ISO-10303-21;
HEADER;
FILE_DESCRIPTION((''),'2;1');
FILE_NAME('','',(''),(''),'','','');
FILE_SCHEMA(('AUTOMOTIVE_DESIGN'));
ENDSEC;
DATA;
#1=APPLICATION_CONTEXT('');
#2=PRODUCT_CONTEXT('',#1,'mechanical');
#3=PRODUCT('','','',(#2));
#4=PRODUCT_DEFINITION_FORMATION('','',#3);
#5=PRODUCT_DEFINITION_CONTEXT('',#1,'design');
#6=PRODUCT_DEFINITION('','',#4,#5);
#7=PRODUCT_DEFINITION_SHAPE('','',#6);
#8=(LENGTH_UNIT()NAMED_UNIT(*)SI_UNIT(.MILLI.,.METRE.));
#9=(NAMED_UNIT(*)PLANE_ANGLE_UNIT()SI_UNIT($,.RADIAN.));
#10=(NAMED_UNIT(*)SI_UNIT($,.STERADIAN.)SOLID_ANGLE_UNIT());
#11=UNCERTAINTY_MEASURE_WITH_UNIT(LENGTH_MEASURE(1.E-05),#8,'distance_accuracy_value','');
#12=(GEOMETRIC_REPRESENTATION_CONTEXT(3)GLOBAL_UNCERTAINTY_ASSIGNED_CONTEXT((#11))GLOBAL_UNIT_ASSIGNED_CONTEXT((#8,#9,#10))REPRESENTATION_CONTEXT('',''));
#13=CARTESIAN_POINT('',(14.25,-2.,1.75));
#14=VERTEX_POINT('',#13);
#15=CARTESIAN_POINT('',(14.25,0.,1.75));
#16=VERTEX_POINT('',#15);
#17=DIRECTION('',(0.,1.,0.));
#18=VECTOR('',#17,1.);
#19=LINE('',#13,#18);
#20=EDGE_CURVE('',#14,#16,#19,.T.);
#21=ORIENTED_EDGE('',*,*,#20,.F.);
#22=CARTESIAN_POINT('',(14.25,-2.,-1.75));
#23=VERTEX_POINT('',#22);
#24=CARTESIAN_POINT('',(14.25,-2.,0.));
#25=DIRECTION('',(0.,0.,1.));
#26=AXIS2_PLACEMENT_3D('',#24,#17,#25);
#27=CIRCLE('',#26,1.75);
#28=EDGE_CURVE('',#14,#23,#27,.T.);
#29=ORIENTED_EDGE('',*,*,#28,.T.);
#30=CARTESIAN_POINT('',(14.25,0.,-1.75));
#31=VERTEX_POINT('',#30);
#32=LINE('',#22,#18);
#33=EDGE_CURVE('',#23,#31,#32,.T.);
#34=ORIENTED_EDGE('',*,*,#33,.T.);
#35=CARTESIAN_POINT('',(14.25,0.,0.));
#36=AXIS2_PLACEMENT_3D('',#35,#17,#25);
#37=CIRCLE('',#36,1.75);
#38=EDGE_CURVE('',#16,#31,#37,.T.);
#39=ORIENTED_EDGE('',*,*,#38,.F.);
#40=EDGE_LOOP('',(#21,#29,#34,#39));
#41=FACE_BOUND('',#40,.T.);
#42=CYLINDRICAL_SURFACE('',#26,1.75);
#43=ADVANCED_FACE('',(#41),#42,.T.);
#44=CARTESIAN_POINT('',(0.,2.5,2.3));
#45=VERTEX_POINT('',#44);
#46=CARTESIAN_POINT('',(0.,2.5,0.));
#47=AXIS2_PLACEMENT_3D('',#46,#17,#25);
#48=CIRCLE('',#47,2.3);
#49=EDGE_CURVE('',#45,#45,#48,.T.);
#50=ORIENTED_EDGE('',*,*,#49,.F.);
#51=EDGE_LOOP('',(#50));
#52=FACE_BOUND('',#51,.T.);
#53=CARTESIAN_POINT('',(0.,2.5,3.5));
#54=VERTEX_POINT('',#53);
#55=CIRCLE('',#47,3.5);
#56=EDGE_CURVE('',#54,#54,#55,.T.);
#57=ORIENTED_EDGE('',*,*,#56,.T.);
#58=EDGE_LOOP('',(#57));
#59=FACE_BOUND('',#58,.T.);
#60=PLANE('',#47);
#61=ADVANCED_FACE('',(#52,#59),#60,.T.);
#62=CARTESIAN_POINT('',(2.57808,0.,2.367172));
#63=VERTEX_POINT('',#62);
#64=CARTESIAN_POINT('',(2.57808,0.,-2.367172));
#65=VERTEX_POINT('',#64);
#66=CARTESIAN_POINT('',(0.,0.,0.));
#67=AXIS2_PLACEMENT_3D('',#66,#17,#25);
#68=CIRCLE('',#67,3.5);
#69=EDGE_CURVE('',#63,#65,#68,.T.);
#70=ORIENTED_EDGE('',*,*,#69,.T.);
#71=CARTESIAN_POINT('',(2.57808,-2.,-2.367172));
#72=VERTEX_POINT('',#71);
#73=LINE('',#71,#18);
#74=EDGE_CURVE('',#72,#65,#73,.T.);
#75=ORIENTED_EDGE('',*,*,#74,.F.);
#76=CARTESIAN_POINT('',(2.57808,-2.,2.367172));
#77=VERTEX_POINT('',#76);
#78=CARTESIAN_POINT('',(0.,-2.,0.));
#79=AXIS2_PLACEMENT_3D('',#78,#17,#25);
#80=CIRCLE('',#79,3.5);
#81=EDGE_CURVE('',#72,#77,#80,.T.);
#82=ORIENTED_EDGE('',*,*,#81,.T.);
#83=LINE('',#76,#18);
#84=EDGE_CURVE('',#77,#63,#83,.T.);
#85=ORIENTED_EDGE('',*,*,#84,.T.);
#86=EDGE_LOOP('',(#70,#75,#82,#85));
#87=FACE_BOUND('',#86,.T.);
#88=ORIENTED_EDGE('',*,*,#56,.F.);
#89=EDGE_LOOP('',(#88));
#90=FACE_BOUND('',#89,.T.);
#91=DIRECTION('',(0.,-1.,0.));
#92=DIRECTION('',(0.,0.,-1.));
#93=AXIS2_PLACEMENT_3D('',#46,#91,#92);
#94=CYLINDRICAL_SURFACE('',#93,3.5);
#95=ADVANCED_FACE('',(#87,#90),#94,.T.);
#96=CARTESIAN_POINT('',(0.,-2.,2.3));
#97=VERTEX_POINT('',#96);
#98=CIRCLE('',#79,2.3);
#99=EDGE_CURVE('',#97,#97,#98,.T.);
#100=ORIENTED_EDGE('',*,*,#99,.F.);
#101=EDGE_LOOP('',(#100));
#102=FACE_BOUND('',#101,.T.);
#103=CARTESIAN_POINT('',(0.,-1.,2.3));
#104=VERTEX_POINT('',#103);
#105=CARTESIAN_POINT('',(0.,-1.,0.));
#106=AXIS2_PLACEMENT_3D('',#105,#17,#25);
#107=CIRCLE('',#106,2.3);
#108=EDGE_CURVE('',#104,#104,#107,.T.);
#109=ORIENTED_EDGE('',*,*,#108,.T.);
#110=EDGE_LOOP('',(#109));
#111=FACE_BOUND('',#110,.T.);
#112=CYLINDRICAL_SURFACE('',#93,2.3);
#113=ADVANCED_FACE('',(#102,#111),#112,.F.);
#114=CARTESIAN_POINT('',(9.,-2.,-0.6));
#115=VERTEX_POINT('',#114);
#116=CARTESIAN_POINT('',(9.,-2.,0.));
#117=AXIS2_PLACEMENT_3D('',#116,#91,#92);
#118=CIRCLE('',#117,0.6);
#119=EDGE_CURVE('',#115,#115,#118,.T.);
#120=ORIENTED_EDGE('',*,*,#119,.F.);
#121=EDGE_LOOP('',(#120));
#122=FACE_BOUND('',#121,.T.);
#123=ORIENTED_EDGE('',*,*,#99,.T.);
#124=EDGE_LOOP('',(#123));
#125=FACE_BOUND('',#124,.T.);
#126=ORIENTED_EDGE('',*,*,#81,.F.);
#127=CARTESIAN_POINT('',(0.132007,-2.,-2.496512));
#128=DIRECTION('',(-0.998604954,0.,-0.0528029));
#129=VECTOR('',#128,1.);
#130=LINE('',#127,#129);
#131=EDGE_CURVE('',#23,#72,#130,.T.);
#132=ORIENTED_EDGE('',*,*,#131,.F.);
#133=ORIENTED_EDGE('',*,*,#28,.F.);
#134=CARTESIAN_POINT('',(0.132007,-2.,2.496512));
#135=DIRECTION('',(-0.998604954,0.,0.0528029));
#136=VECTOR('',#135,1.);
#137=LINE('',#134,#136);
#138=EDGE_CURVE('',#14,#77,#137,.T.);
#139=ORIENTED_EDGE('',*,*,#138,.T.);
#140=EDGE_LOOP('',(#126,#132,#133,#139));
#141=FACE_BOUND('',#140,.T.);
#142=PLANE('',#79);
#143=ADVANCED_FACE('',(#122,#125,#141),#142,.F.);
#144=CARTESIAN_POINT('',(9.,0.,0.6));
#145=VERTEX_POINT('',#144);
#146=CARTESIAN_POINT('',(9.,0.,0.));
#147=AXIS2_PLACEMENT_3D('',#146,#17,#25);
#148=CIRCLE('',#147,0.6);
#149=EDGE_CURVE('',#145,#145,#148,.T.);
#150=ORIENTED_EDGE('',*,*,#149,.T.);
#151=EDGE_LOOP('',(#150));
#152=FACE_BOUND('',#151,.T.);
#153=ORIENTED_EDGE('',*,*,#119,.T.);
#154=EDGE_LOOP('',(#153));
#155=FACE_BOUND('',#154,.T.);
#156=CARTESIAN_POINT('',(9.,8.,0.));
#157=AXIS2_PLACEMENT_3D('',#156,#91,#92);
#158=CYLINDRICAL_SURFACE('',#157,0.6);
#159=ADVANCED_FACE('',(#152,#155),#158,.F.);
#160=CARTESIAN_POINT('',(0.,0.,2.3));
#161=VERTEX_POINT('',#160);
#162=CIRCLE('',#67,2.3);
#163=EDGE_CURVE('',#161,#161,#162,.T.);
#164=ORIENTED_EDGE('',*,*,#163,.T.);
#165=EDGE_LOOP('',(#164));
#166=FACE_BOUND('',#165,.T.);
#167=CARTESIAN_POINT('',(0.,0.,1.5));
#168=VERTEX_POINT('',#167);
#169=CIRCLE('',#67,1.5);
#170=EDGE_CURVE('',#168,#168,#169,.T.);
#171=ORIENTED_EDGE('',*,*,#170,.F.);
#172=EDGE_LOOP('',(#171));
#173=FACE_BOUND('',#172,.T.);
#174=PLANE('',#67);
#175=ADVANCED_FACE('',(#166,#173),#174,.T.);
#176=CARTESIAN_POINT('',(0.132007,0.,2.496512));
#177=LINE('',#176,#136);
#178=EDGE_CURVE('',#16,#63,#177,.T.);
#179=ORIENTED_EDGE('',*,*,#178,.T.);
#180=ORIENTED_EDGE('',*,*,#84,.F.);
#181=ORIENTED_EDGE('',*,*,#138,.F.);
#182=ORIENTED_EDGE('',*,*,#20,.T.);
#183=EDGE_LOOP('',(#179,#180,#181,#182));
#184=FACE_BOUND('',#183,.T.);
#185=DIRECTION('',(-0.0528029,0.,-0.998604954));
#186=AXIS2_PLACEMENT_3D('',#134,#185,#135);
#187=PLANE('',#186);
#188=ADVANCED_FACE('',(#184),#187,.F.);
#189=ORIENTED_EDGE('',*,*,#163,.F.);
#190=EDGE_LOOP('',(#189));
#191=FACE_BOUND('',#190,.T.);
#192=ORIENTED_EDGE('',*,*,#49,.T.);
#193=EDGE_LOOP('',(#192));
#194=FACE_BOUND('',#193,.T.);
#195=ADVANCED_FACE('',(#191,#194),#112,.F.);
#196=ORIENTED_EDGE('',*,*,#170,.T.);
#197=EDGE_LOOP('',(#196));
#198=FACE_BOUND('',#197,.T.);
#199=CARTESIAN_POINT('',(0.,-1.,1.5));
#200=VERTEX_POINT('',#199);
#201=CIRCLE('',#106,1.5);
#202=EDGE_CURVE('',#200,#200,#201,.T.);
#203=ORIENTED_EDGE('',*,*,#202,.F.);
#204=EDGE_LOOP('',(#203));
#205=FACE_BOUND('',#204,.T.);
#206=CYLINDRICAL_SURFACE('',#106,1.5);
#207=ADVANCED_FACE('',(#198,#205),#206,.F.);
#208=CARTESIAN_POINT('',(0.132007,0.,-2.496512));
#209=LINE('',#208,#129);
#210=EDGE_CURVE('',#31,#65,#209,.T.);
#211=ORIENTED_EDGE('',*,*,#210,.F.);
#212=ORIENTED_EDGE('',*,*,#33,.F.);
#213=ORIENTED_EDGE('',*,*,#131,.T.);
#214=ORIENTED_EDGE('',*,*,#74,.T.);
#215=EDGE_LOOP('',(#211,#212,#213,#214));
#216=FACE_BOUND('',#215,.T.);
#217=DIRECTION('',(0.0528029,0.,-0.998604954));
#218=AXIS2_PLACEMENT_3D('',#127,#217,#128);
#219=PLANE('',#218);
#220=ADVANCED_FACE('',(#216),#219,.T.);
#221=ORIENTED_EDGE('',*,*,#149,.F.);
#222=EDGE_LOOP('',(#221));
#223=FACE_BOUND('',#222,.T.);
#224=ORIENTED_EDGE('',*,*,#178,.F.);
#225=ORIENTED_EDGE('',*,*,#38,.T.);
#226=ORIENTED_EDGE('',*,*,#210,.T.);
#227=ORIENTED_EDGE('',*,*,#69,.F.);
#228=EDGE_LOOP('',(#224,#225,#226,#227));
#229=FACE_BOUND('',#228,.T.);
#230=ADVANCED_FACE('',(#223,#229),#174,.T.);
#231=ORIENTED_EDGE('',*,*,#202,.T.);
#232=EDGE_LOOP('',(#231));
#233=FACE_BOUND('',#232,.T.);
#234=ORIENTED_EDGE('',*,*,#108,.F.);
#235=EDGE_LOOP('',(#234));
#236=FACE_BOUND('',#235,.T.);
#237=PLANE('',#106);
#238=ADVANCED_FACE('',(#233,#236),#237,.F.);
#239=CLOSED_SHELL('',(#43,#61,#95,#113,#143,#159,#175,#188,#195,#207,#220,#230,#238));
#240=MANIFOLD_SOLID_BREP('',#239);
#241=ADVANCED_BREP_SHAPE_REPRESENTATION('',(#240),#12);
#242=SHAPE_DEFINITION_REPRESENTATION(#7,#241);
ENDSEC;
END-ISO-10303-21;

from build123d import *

# Parameters (mm, degrees)
SKETCH1_R           = 2.3
BOSS_EXTRUDE1_DEPTH = 2.5
BOSS_EXTRUDE2_START = -2
SKETCH1_3_R         = 2.3
BOSS_EXTRUDE2_DEPTH = 2
BOSS_EXTRUDE3_START = -1
SKETCH2_R           = 2.3
SKETCH2_R_2         = 1.5
BOSS_EXTRUDE3_DEPTH = 1
SKETCH3_R           = 0.6
CUT_EXTRUDE1_DEPTH  = 10


with BuildPart() as part:
    # Sketch1 → Boss-Extrude1 (new body)
    with BuildSketch(Plane(origin=(0, 0, 0), x_dir=(1, 0, 0), z_dir=(0, 1, 0))):
        with BuildLine():
            ThreePointArc((3.5, 0), (3.261386166, 1.270181198), (2.578079842, 2.367172221))
            ThreePointArc((2.578079842, 2.367172221), (-3.5, 0), (2.578079842, -2.367172221))
            ThreePointArc((2.578079842, -2.367172221), (3.261386166, -1.270181198), (3.5, 0))
        make_face()
        Circle(SKETCH1_R, mode=Mode.SUBTRACT)
    extrude(amount=BOSS_EXTRUDE1_DEPTH)

    # Sketch1<3> → Boss-Extrude2 (add)
    with BuildSketch(Plane(origin=(0, 0, 0), x_dir=(1, 0, 0), z_dir=(0, 1, 0)).offset(BOSS_EXTRUDE2_START)):
        with BuildLine():
            ThreePointArc((14.25, -1.75), (16, 0), (14.25, 1.75))
            Line((14.25, 1.75), (2.578079842, 2.367172221))
            ThreePointArc((2.578079842, 2.367172221), (-3.5, 0), (2.578079842, -2.367172221))
            Line((2.578079842, -2.367172221), (14.25, -1.75))
        make_face()
        Circle(SKETCH1_3_R, mode=Mode.SUBTRACT)
    extrude(amount=BOSS_EXTRUDE2_DEPTH)

    # Sketch2 → Boss-Extrude3 (add)
    with BuildSketch(Plane(origin=(0, 0, 0), x_dir=(1, 0, 0), z_dir=(0, 1, 0)).offset(BOSS_EXTRUDE3_START)):
        Circle(SKETCH2_R)
        Circle(SKETCH2_R_2, mode=Mode.SUBTRACT)
    extrude(amount=BOSS_EXTRUDE3_DEPTH)

    # Sketch3 → Cut-Extrude1 (cut)
    with BuildSketch(Plane.XZ.offset(2)):
        with Locations((9, 0)):
            Circle(SKETCH3_R)
    extrude(amount=-CUT_EXTRUDE1_DEPTH, mode=Mode.SUBTRACT)


solid = part.part
